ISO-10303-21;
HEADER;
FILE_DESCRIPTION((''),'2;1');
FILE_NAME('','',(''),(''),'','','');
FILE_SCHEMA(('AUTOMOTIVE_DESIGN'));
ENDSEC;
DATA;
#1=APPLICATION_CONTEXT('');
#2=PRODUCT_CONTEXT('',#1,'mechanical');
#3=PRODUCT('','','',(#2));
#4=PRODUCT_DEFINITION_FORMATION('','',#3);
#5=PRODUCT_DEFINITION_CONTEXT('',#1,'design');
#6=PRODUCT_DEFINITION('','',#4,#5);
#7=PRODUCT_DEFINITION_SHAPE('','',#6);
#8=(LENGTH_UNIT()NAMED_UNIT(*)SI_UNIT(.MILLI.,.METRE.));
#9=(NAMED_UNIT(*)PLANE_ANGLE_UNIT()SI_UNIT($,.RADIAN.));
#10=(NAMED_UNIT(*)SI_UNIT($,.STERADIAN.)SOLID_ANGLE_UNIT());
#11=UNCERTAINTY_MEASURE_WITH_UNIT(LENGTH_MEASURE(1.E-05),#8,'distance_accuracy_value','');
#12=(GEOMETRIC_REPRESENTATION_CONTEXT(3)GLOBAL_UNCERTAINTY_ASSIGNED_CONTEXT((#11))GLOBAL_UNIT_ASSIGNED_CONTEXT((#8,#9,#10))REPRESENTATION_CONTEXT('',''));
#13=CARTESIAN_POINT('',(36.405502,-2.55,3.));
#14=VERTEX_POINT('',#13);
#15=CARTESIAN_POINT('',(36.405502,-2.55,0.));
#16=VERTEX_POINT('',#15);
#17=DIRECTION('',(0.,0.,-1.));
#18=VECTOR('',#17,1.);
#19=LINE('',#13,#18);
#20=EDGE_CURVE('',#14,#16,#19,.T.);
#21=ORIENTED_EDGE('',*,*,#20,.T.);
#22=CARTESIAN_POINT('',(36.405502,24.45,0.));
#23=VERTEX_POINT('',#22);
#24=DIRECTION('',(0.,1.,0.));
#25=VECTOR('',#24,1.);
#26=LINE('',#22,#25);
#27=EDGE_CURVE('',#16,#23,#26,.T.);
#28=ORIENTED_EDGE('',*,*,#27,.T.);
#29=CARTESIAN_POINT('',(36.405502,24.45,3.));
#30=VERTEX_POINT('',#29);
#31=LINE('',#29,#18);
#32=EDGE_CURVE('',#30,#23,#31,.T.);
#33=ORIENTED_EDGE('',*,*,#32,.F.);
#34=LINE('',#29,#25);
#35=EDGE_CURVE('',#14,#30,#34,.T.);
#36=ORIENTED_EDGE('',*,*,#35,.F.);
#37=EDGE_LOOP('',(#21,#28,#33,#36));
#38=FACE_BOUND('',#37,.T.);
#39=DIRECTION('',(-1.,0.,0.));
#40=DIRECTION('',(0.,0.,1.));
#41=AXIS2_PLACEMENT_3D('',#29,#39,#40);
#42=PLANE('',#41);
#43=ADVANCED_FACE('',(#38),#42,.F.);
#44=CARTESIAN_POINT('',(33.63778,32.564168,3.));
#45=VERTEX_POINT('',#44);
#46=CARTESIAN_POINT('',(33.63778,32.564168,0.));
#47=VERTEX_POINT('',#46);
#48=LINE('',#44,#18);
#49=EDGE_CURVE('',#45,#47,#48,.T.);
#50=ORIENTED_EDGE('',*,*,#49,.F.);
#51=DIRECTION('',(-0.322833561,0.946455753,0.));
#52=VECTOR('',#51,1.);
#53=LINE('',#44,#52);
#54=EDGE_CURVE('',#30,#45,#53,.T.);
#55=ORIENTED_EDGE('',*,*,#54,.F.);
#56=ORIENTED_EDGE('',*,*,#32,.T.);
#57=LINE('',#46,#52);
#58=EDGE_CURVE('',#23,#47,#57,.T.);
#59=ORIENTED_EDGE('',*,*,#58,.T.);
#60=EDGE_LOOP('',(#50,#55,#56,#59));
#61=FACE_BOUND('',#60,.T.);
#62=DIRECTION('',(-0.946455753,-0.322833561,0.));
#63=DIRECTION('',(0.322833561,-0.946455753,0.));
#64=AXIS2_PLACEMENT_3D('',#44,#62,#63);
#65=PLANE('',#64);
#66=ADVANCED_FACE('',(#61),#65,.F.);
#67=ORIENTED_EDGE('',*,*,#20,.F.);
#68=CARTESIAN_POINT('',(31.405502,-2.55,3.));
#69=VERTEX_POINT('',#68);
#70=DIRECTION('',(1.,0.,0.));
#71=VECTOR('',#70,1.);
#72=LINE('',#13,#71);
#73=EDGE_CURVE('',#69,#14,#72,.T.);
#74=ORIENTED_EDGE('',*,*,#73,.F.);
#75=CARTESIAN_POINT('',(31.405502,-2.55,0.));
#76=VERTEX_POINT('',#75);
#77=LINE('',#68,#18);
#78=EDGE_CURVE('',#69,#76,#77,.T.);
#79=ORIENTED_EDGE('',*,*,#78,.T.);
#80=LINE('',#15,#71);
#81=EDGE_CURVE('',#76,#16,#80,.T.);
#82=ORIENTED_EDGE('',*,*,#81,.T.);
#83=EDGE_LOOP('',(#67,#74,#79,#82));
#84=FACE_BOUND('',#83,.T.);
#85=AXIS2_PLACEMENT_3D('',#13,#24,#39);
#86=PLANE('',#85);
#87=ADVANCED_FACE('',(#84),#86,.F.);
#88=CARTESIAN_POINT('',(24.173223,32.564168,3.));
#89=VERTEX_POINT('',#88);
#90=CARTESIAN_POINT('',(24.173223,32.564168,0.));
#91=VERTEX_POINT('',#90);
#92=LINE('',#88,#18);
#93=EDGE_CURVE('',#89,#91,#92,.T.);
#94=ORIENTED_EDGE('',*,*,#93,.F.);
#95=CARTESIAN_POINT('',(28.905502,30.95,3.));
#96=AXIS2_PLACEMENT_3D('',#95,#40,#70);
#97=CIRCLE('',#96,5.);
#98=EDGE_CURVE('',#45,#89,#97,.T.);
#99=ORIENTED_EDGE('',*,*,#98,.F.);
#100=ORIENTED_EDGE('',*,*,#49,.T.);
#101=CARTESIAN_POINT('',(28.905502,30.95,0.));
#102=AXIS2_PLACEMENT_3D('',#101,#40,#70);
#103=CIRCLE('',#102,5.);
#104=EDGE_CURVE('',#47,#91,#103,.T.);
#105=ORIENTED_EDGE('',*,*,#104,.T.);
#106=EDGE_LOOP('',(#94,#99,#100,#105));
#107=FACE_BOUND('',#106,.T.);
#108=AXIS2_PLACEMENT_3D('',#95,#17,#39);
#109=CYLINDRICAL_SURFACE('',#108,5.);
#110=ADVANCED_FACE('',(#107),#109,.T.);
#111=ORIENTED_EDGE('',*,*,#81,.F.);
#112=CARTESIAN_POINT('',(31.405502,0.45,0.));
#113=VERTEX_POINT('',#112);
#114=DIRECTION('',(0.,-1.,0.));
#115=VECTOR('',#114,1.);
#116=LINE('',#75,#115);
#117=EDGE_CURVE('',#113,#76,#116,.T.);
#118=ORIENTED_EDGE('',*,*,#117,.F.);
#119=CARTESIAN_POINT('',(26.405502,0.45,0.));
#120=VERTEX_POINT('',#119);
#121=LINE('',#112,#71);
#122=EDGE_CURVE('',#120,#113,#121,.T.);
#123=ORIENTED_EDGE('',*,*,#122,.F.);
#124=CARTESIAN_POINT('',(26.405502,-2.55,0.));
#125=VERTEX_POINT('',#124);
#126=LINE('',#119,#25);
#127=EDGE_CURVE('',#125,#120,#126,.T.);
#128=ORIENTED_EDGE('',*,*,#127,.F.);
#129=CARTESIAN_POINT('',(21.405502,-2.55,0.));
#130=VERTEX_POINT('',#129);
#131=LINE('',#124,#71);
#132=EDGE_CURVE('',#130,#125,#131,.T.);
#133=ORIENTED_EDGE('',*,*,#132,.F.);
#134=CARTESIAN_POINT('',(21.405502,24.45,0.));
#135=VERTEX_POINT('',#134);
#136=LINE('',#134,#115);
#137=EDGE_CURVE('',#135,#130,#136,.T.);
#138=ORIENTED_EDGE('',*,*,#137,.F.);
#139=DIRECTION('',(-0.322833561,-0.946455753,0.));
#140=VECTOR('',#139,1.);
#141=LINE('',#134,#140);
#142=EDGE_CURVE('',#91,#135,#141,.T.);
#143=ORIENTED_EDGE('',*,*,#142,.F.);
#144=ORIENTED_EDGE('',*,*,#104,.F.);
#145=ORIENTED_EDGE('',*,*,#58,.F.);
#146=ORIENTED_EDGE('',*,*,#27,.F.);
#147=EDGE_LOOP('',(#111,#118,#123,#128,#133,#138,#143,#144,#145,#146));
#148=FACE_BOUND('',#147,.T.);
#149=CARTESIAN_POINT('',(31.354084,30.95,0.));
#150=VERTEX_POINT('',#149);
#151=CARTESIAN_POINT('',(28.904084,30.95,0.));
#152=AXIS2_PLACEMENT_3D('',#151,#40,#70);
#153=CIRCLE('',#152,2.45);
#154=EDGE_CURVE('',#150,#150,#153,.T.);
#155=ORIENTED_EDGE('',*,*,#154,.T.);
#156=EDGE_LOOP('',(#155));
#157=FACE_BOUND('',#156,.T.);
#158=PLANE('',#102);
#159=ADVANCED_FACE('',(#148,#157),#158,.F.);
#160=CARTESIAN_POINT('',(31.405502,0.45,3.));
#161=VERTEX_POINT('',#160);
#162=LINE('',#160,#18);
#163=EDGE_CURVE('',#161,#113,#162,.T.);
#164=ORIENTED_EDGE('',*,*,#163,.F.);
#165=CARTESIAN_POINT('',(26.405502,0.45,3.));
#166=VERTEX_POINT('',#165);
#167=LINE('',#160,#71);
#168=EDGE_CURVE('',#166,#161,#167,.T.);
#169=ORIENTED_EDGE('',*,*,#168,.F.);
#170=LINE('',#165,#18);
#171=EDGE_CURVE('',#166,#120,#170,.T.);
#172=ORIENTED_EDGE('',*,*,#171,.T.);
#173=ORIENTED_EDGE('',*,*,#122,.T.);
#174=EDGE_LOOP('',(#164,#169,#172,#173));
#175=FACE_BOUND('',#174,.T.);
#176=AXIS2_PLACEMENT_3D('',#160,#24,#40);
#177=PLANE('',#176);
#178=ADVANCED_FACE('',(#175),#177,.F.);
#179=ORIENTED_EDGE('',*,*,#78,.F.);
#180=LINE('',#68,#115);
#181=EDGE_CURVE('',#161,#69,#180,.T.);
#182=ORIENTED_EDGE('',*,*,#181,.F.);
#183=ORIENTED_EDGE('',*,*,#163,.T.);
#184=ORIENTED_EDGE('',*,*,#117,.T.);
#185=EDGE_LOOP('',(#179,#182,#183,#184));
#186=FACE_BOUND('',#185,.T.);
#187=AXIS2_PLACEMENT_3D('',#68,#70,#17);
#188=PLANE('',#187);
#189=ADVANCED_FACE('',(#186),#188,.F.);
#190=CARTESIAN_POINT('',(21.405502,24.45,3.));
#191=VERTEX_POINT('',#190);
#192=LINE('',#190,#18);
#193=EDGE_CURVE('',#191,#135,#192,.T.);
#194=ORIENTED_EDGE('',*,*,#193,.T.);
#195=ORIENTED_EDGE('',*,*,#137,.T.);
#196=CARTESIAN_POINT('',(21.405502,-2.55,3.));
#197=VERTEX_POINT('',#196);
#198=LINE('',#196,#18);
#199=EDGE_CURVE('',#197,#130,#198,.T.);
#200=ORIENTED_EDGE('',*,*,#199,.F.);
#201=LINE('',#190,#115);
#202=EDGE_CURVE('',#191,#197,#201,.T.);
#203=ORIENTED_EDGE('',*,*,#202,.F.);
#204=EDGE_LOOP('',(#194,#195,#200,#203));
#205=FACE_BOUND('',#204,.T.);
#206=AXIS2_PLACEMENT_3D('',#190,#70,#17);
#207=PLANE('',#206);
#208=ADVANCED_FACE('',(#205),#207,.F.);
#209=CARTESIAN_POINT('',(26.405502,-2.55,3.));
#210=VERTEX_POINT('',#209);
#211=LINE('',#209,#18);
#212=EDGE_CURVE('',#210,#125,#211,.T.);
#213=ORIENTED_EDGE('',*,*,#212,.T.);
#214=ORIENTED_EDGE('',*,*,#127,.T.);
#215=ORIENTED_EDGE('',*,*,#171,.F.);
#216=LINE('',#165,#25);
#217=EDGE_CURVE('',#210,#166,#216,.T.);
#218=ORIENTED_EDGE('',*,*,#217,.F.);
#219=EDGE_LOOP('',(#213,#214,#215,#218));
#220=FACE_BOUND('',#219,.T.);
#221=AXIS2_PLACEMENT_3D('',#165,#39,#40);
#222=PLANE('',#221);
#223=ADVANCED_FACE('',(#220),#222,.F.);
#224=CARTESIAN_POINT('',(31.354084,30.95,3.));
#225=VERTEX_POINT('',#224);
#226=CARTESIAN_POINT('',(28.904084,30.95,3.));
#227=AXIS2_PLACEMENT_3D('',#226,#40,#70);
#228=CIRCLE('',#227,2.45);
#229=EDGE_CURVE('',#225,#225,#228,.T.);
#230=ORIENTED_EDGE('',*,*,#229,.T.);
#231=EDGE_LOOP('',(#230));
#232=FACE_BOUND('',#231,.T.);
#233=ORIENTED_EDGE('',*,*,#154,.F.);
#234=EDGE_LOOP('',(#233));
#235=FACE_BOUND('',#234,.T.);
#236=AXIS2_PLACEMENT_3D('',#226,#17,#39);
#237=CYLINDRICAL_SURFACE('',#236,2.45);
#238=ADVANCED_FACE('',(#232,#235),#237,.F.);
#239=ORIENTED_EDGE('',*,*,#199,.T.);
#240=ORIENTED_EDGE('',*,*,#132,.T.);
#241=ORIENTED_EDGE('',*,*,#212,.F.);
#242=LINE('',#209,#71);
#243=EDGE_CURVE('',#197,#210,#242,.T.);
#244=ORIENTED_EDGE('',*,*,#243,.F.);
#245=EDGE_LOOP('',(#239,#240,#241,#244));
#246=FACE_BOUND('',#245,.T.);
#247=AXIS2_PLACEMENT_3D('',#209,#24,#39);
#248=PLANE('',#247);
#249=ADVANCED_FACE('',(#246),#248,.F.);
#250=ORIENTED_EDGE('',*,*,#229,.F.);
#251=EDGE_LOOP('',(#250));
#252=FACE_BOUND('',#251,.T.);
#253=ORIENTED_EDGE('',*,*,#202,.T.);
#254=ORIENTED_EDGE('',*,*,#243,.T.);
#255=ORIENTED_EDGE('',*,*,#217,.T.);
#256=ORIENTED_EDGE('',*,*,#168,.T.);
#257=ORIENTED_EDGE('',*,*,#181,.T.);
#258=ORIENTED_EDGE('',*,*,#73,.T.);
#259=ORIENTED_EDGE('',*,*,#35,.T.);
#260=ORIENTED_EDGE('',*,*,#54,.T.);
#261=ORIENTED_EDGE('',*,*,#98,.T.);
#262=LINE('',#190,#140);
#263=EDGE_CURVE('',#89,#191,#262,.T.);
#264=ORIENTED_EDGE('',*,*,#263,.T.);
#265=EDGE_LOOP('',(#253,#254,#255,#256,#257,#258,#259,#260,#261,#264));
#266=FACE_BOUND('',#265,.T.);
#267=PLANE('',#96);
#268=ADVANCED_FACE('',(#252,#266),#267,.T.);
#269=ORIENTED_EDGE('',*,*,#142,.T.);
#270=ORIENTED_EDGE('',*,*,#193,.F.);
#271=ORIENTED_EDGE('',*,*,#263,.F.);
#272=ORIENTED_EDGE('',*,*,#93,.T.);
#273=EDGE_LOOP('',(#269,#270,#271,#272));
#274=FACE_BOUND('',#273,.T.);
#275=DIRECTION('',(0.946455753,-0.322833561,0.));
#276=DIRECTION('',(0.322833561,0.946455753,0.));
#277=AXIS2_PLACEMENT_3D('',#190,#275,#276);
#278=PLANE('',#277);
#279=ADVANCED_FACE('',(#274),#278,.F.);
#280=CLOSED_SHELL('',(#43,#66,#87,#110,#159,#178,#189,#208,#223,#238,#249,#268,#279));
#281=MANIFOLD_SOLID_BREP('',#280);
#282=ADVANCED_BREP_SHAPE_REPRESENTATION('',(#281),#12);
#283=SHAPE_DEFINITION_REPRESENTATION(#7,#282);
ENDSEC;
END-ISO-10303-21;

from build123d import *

# Parameters (mm, degrees)
MODEL_R                 = 2.45
SALIENTE_EXTRUIR1_DEPTH = 3


with BuildPart() as part:
    # Model → Saliente-Extruir1 (new body)
    with BuildSketch(Plane.XY):
        with BuildLine():
            Line((21.405501636, 24.45), (21.405501636, -2.55))
            Line((21.405501636, -2.55), (26.405501636, -2.55))
            Line((26.405501636, -2.55), (26.405501636, 0.45))
            Line((26.405501636, 0.45), (31.405501636, 0.45))
            Line((31.405501636, 0.45), (31.405501636, -2.55))
            Line((31.405501636, -2.55), (36.405501636, -2.55))
            Line((36.405501636, -2.55), (36.405501636, 24.45))
            Line((36.405501636, 24.45), (33.6377804, 32.564167804))
            ThreePointArc((33.6377804, 32.564167804), (28.905501636, 35.95), (24.173222872, 32.564167804))
            Line((24.173222872, 32.564167804), (21.405501636, 24.45))
        make_face()
        with Locations((28.904084013, 30.95)):
            Circle(MODEL_R, mode=Mode.SUBTRACT)
    extrude(amount=SALIENTE_EXTRUIR1_DEPTH)


solid = part.part
